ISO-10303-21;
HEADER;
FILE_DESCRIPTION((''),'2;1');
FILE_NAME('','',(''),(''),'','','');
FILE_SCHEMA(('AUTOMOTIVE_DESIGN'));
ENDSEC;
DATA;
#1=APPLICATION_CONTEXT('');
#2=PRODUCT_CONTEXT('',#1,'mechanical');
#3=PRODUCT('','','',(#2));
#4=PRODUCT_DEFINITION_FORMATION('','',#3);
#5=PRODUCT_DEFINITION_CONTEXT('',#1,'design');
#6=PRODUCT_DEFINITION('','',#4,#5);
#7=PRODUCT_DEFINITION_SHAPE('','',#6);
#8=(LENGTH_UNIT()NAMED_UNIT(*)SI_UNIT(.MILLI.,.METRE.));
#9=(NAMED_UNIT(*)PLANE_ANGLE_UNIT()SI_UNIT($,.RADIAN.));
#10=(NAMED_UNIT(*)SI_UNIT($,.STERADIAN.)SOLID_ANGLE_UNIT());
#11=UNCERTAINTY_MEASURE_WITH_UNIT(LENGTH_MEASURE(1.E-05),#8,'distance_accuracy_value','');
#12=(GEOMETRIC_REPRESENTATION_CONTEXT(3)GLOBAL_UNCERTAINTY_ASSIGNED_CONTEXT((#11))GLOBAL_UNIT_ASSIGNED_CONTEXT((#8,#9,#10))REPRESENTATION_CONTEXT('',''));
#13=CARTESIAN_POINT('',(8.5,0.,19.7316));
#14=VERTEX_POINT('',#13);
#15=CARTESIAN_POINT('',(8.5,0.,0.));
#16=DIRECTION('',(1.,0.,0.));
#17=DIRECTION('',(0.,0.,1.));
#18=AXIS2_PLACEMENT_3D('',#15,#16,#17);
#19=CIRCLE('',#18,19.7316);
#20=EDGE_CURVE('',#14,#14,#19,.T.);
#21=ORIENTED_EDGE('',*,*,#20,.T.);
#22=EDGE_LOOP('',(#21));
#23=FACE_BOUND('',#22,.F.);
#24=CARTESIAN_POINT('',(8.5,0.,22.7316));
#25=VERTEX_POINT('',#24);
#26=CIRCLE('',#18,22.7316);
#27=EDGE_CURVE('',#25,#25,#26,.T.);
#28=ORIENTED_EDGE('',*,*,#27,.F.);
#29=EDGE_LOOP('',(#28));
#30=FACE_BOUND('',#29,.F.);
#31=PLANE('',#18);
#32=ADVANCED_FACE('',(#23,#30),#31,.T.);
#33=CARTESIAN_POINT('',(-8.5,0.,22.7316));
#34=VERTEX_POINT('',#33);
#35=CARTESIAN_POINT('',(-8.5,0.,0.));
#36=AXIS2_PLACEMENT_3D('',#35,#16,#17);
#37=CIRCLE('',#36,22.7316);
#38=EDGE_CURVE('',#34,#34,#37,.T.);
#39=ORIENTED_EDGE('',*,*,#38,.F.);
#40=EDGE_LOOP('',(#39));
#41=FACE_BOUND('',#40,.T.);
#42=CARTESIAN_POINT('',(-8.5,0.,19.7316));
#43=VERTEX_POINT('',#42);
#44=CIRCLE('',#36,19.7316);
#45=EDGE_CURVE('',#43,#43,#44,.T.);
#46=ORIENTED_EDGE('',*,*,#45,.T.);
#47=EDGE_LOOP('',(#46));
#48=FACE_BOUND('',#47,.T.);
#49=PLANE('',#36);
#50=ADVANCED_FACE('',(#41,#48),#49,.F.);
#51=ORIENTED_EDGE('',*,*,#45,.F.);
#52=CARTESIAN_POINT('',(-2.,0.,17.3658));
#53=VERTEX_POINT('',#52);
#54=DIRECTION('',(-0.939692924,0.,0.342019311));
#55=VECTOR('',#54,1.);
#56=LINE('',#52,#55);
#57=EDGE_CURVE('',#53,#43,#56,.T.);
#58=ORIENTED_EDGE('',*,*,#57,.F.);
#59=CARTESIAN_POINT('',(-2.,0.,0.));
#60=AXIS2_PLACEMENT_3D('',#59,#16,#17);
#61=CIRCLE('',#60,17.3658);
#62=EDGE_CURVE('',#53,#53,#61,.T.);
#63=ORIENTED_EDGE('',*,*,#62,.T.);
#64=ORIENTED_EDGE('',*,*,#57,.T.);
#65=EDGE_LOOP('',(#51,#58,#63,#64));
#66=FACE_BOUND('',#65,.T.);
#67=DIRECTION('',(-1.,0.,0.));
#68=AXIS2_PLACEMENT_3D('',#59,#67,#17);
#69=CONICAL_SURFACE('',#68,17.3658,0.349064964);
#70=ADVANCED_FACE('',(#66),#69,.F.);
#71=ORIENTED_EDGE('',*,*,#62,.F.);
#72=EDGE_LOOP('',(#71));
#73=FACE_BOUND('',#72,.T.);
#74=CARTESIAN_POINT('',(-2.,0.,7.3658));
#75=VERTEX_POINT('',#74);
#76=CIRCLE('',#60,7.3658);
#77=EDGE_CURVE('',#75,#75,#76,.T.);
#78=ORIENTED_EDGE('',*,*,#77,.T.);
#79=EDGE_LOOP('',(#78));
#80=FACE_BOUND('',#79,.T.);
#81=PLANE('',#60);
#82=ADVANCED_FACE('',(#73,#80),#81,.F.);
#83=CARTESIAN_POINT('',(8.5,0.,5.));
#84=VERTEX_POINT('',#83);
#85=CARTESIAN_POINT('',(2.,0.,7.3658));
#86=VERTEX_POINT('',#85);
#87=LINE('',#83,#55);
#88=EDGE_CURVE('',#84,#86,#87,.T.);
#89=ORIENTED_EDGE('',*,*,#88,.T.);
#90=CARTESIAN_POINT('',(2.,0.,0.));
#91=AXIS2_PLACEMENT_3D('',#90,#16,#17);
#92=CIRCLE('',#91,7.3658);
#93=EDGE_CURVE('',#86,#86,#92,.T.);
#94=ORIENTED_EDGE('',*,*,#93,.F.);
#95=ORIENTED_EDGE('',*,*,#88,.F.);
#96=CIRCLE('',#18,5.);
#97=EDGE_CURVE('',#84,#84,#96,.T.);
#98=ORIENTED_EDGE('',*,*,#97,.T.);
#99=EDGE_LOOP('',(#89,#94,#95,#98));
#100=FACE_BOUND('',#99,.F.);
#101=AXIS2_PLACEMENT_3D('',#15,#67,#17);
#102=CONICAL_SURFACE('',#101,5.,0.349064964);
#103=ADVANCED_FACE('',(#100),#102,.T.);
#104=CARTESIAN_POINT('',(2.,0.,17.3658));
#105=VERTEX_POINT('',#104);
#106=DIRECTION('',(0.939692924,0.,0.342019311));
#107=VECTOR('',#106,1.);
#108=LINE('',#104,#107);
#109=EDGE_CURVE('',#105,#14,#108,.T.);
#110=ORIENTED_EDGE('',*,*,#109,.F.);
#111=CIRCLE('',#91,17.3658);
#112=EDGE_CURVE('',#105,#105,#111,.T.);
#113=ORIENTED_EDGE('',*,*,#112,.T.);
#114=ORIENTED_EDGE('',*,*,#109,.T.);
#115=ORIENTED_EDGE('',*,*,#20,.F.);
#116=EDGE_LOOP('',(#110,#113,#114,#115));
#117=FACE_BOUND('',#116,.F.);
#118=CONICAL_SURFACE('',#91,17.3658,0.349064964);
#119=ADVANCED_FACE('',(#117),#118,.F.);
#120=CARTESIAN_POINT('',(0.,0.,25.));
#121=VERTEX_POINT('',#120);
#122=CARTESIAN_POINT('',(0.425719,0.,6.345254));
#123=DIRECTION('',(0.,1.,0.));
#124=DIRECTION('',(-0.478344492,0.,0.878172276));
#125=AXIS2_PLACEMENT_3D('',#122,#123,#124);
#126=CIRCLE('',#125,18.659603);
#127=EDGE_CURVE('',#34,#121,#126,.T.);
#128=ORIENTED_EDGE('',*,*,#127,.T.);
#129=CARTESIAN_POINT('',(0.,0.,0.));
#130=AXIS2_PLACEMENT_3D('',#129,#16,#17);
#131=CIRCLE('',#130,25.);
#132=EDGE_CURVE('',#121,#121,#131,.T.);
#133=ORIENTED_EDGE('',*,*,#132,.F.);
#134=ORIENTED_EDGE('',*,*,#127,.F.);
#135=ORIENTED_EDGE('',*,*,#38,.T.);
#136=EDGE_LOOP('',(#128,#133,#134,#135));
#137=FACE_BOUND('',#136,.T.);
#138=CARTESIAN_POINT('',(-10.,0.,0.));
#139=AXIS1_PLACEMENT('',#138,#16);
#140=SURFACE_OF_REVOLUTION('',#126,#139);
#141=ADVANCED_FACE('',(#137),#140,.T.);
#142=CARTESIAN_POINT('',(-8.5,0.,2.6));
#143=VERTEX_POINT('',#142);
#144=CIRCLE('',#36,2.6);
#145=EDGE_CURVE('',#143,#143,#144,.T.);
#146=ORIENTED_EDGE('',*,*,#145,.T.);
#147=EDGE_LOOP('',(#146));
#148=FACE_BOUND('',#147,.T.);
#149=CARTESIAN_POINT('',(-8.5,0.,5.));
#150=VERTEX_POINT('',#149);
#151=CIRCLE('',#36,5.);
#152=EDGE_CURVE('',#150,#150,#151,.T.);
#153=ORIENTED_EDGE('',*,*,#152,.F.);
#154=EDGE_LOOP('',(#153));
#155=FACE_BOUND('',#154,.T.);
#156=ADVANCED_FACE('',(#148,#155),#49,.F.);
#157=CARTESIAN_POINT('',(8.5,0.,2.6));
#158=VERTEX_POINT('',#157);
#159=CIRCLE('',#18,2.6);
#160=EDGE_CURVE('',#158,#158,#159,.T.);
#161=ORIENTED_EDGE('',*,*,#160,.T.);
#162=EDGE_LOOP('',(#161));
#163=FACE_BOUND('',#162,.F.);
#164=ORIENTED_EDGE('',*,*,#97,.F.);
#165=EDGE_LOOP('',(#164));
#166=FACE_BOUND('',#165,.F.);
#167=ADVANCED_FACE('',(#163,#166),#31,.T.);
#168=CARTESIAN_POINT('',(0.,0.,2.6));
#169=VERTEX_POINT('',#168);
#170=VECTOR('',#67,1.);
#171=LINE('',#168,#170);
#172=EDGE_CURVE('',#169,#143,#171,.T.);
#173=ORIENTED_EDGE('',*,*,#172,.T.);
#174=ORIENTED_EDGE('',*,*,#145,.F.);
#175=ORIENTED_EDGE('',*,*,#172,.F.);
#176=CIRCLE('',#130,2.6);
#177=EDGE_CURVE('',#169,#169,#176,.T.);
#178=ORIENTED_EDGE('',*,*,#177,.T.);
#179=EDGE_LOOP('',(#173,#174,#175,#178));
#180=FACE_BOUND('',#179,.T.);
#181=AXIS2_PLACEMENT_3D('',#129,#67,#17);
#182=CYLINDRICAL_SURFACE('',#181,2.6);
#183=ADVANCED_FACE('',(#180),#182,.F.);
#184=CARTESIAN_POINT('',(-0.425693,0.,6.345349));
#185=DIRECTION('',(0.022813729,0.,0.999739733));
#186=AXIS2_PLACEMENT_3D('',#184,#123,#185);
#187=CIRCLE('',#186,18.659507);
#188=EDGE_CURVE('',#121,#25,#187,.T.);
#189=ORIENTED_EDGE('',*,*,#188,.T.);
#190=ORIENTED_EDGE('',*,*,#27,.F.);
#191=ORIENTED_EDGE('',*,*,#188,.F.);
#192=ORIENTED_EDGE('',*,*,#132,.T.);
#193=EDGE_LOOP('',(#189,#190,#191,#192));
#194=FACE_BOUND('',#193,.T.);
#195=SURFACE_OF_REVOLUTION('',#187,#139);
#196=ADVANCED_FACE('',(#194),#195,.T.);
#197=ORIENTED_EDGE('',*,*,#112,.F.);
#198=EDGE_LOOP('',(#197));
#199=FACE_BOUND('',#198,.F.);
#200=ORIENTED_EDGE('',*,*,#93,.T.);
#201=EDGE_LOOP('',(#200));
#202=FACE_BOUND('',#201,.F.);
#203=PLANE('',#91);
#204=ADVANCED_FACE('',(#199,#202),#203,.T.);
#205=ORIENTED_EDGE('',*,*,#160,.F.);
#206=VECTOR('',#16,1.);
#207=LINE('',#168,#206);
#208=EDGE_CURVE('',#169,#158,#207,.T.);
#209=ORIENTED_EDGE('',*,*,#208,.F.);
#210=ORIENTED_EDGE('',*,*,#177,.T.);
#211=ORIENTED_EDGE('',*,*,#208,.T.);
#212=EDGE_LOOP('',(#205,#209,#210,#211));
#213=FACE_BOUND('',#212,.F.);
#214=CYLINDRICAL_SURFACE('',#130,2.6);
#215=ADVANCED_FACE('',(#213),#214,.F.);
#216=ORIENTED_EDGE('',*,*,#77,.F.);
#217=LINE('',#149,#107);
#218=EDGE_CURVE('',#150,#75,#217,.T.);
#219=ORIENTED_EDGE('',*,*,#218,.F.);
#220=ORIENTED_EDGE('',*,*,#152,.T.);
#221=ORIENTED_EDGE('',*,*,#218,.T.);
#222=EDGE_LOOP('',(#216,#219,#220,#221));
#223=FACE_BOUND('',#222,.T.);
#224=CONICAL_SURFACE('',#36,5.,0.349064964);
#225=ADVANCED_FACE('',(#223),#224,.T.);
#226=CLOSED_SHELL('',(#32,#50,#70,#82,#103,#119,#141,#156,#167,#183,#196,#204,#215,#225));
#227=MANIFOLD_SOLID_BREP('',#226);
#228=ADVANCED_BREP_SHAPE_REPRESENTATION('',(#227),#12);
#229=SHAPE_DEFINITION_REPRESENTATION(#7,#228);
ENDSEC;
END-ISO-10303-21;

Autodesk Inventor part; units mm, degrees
ref_plane "YZ Plane" through (0, 0, 0) normal (1, 0, 0) x (0, 1, 0)
ref_plane "XZ Plane" through (0, 0, 0) normal (0, 1, 0) x (-1, 0, 0)
ref_plane "XY Plane" through (0, 0, 0) normal (0, 0, 1) x (1, 0, 0)
sketch "Sketch1" plane through (0, 0, 0) normal (0, 1, 0) x (-1, 0, 0)
  line L0 (0, 0) -> (8.5, 0)
  line L1 (8.5, 0) -> (8.5, 25)
  line L2 (8.5, 25) -> (0, 25)
  line L3 (0, 25) -> (0, 0)
  line L4 (0, 2.6) -> (8.5, 2.6)
  line L5 (8.5, 5) -> (0, 5)
  line L6 (8.5, 5) -> (2, 7.3658)
  line L7 (2, 7.3658) -> (2, 17.3658)
  line L8 (2, 17.3658) -> (8.5, 19.7316)
  line L9 (8.5, 19.7316) -> (8.5, 22.7316)
  arc A0 (8.5, 22.7316) -> (0, 25) centre (-0.4257, 6.3453) ccw
  line L10 (0, 0) -> (0, 28.973)
  line L11 (0, 0) -> (-8.5, 0)
  line L12 (-8.5, 0) -> (-8.5, 25)
  line L13 (-8.5, 25) -> (0, 25)
  line L14 (0, 2.6) -> (-8.5, 2.6)
  line L15 (-8.5, 5) -> (0, 5)
  line L16 (-8.5, 5) -> (-2, 7.3658)
  line L17 (-2, 7.3658) -> (-2, 17.3658)
  line L18 (-2, 17.3658) -> (-8.5, 19.7316)
  arc A1 (0, 25) -> (-8.5, 22.7316) centre (0.4257, 6.3453) ccw
  line L19 (12.0898, 0) -> (-12.0898, 0) projected
  point P0 (1.1073, 19)
  point P1 (-1.1073, 19)
  dimension "d0" = 8.5
  dimension "d1" = 25
  dimension "d2" = 2.6
  dimension "d3" = 5
  dimension "d4" = 110
  dimension "d5" = 110
  dimension "d6" = 2
  dimension "d7" = 10
  dimension "d8" = 3
  dimension "d9" = 18.6595
revolve "Revolution1" add sketch "Sketch1" angle 360 about axis through (-10, 0, 0) along (1, 0, 0) contours L14 L12 L15 L3 | L3 L5 L1 L4 | L15 L16 L17 L18 L12 A1 L3 | L3 A0 L1 L8 L7 L6 L5
properties part number "casterwheel" material "Nylon, molybdenum disulphide"
